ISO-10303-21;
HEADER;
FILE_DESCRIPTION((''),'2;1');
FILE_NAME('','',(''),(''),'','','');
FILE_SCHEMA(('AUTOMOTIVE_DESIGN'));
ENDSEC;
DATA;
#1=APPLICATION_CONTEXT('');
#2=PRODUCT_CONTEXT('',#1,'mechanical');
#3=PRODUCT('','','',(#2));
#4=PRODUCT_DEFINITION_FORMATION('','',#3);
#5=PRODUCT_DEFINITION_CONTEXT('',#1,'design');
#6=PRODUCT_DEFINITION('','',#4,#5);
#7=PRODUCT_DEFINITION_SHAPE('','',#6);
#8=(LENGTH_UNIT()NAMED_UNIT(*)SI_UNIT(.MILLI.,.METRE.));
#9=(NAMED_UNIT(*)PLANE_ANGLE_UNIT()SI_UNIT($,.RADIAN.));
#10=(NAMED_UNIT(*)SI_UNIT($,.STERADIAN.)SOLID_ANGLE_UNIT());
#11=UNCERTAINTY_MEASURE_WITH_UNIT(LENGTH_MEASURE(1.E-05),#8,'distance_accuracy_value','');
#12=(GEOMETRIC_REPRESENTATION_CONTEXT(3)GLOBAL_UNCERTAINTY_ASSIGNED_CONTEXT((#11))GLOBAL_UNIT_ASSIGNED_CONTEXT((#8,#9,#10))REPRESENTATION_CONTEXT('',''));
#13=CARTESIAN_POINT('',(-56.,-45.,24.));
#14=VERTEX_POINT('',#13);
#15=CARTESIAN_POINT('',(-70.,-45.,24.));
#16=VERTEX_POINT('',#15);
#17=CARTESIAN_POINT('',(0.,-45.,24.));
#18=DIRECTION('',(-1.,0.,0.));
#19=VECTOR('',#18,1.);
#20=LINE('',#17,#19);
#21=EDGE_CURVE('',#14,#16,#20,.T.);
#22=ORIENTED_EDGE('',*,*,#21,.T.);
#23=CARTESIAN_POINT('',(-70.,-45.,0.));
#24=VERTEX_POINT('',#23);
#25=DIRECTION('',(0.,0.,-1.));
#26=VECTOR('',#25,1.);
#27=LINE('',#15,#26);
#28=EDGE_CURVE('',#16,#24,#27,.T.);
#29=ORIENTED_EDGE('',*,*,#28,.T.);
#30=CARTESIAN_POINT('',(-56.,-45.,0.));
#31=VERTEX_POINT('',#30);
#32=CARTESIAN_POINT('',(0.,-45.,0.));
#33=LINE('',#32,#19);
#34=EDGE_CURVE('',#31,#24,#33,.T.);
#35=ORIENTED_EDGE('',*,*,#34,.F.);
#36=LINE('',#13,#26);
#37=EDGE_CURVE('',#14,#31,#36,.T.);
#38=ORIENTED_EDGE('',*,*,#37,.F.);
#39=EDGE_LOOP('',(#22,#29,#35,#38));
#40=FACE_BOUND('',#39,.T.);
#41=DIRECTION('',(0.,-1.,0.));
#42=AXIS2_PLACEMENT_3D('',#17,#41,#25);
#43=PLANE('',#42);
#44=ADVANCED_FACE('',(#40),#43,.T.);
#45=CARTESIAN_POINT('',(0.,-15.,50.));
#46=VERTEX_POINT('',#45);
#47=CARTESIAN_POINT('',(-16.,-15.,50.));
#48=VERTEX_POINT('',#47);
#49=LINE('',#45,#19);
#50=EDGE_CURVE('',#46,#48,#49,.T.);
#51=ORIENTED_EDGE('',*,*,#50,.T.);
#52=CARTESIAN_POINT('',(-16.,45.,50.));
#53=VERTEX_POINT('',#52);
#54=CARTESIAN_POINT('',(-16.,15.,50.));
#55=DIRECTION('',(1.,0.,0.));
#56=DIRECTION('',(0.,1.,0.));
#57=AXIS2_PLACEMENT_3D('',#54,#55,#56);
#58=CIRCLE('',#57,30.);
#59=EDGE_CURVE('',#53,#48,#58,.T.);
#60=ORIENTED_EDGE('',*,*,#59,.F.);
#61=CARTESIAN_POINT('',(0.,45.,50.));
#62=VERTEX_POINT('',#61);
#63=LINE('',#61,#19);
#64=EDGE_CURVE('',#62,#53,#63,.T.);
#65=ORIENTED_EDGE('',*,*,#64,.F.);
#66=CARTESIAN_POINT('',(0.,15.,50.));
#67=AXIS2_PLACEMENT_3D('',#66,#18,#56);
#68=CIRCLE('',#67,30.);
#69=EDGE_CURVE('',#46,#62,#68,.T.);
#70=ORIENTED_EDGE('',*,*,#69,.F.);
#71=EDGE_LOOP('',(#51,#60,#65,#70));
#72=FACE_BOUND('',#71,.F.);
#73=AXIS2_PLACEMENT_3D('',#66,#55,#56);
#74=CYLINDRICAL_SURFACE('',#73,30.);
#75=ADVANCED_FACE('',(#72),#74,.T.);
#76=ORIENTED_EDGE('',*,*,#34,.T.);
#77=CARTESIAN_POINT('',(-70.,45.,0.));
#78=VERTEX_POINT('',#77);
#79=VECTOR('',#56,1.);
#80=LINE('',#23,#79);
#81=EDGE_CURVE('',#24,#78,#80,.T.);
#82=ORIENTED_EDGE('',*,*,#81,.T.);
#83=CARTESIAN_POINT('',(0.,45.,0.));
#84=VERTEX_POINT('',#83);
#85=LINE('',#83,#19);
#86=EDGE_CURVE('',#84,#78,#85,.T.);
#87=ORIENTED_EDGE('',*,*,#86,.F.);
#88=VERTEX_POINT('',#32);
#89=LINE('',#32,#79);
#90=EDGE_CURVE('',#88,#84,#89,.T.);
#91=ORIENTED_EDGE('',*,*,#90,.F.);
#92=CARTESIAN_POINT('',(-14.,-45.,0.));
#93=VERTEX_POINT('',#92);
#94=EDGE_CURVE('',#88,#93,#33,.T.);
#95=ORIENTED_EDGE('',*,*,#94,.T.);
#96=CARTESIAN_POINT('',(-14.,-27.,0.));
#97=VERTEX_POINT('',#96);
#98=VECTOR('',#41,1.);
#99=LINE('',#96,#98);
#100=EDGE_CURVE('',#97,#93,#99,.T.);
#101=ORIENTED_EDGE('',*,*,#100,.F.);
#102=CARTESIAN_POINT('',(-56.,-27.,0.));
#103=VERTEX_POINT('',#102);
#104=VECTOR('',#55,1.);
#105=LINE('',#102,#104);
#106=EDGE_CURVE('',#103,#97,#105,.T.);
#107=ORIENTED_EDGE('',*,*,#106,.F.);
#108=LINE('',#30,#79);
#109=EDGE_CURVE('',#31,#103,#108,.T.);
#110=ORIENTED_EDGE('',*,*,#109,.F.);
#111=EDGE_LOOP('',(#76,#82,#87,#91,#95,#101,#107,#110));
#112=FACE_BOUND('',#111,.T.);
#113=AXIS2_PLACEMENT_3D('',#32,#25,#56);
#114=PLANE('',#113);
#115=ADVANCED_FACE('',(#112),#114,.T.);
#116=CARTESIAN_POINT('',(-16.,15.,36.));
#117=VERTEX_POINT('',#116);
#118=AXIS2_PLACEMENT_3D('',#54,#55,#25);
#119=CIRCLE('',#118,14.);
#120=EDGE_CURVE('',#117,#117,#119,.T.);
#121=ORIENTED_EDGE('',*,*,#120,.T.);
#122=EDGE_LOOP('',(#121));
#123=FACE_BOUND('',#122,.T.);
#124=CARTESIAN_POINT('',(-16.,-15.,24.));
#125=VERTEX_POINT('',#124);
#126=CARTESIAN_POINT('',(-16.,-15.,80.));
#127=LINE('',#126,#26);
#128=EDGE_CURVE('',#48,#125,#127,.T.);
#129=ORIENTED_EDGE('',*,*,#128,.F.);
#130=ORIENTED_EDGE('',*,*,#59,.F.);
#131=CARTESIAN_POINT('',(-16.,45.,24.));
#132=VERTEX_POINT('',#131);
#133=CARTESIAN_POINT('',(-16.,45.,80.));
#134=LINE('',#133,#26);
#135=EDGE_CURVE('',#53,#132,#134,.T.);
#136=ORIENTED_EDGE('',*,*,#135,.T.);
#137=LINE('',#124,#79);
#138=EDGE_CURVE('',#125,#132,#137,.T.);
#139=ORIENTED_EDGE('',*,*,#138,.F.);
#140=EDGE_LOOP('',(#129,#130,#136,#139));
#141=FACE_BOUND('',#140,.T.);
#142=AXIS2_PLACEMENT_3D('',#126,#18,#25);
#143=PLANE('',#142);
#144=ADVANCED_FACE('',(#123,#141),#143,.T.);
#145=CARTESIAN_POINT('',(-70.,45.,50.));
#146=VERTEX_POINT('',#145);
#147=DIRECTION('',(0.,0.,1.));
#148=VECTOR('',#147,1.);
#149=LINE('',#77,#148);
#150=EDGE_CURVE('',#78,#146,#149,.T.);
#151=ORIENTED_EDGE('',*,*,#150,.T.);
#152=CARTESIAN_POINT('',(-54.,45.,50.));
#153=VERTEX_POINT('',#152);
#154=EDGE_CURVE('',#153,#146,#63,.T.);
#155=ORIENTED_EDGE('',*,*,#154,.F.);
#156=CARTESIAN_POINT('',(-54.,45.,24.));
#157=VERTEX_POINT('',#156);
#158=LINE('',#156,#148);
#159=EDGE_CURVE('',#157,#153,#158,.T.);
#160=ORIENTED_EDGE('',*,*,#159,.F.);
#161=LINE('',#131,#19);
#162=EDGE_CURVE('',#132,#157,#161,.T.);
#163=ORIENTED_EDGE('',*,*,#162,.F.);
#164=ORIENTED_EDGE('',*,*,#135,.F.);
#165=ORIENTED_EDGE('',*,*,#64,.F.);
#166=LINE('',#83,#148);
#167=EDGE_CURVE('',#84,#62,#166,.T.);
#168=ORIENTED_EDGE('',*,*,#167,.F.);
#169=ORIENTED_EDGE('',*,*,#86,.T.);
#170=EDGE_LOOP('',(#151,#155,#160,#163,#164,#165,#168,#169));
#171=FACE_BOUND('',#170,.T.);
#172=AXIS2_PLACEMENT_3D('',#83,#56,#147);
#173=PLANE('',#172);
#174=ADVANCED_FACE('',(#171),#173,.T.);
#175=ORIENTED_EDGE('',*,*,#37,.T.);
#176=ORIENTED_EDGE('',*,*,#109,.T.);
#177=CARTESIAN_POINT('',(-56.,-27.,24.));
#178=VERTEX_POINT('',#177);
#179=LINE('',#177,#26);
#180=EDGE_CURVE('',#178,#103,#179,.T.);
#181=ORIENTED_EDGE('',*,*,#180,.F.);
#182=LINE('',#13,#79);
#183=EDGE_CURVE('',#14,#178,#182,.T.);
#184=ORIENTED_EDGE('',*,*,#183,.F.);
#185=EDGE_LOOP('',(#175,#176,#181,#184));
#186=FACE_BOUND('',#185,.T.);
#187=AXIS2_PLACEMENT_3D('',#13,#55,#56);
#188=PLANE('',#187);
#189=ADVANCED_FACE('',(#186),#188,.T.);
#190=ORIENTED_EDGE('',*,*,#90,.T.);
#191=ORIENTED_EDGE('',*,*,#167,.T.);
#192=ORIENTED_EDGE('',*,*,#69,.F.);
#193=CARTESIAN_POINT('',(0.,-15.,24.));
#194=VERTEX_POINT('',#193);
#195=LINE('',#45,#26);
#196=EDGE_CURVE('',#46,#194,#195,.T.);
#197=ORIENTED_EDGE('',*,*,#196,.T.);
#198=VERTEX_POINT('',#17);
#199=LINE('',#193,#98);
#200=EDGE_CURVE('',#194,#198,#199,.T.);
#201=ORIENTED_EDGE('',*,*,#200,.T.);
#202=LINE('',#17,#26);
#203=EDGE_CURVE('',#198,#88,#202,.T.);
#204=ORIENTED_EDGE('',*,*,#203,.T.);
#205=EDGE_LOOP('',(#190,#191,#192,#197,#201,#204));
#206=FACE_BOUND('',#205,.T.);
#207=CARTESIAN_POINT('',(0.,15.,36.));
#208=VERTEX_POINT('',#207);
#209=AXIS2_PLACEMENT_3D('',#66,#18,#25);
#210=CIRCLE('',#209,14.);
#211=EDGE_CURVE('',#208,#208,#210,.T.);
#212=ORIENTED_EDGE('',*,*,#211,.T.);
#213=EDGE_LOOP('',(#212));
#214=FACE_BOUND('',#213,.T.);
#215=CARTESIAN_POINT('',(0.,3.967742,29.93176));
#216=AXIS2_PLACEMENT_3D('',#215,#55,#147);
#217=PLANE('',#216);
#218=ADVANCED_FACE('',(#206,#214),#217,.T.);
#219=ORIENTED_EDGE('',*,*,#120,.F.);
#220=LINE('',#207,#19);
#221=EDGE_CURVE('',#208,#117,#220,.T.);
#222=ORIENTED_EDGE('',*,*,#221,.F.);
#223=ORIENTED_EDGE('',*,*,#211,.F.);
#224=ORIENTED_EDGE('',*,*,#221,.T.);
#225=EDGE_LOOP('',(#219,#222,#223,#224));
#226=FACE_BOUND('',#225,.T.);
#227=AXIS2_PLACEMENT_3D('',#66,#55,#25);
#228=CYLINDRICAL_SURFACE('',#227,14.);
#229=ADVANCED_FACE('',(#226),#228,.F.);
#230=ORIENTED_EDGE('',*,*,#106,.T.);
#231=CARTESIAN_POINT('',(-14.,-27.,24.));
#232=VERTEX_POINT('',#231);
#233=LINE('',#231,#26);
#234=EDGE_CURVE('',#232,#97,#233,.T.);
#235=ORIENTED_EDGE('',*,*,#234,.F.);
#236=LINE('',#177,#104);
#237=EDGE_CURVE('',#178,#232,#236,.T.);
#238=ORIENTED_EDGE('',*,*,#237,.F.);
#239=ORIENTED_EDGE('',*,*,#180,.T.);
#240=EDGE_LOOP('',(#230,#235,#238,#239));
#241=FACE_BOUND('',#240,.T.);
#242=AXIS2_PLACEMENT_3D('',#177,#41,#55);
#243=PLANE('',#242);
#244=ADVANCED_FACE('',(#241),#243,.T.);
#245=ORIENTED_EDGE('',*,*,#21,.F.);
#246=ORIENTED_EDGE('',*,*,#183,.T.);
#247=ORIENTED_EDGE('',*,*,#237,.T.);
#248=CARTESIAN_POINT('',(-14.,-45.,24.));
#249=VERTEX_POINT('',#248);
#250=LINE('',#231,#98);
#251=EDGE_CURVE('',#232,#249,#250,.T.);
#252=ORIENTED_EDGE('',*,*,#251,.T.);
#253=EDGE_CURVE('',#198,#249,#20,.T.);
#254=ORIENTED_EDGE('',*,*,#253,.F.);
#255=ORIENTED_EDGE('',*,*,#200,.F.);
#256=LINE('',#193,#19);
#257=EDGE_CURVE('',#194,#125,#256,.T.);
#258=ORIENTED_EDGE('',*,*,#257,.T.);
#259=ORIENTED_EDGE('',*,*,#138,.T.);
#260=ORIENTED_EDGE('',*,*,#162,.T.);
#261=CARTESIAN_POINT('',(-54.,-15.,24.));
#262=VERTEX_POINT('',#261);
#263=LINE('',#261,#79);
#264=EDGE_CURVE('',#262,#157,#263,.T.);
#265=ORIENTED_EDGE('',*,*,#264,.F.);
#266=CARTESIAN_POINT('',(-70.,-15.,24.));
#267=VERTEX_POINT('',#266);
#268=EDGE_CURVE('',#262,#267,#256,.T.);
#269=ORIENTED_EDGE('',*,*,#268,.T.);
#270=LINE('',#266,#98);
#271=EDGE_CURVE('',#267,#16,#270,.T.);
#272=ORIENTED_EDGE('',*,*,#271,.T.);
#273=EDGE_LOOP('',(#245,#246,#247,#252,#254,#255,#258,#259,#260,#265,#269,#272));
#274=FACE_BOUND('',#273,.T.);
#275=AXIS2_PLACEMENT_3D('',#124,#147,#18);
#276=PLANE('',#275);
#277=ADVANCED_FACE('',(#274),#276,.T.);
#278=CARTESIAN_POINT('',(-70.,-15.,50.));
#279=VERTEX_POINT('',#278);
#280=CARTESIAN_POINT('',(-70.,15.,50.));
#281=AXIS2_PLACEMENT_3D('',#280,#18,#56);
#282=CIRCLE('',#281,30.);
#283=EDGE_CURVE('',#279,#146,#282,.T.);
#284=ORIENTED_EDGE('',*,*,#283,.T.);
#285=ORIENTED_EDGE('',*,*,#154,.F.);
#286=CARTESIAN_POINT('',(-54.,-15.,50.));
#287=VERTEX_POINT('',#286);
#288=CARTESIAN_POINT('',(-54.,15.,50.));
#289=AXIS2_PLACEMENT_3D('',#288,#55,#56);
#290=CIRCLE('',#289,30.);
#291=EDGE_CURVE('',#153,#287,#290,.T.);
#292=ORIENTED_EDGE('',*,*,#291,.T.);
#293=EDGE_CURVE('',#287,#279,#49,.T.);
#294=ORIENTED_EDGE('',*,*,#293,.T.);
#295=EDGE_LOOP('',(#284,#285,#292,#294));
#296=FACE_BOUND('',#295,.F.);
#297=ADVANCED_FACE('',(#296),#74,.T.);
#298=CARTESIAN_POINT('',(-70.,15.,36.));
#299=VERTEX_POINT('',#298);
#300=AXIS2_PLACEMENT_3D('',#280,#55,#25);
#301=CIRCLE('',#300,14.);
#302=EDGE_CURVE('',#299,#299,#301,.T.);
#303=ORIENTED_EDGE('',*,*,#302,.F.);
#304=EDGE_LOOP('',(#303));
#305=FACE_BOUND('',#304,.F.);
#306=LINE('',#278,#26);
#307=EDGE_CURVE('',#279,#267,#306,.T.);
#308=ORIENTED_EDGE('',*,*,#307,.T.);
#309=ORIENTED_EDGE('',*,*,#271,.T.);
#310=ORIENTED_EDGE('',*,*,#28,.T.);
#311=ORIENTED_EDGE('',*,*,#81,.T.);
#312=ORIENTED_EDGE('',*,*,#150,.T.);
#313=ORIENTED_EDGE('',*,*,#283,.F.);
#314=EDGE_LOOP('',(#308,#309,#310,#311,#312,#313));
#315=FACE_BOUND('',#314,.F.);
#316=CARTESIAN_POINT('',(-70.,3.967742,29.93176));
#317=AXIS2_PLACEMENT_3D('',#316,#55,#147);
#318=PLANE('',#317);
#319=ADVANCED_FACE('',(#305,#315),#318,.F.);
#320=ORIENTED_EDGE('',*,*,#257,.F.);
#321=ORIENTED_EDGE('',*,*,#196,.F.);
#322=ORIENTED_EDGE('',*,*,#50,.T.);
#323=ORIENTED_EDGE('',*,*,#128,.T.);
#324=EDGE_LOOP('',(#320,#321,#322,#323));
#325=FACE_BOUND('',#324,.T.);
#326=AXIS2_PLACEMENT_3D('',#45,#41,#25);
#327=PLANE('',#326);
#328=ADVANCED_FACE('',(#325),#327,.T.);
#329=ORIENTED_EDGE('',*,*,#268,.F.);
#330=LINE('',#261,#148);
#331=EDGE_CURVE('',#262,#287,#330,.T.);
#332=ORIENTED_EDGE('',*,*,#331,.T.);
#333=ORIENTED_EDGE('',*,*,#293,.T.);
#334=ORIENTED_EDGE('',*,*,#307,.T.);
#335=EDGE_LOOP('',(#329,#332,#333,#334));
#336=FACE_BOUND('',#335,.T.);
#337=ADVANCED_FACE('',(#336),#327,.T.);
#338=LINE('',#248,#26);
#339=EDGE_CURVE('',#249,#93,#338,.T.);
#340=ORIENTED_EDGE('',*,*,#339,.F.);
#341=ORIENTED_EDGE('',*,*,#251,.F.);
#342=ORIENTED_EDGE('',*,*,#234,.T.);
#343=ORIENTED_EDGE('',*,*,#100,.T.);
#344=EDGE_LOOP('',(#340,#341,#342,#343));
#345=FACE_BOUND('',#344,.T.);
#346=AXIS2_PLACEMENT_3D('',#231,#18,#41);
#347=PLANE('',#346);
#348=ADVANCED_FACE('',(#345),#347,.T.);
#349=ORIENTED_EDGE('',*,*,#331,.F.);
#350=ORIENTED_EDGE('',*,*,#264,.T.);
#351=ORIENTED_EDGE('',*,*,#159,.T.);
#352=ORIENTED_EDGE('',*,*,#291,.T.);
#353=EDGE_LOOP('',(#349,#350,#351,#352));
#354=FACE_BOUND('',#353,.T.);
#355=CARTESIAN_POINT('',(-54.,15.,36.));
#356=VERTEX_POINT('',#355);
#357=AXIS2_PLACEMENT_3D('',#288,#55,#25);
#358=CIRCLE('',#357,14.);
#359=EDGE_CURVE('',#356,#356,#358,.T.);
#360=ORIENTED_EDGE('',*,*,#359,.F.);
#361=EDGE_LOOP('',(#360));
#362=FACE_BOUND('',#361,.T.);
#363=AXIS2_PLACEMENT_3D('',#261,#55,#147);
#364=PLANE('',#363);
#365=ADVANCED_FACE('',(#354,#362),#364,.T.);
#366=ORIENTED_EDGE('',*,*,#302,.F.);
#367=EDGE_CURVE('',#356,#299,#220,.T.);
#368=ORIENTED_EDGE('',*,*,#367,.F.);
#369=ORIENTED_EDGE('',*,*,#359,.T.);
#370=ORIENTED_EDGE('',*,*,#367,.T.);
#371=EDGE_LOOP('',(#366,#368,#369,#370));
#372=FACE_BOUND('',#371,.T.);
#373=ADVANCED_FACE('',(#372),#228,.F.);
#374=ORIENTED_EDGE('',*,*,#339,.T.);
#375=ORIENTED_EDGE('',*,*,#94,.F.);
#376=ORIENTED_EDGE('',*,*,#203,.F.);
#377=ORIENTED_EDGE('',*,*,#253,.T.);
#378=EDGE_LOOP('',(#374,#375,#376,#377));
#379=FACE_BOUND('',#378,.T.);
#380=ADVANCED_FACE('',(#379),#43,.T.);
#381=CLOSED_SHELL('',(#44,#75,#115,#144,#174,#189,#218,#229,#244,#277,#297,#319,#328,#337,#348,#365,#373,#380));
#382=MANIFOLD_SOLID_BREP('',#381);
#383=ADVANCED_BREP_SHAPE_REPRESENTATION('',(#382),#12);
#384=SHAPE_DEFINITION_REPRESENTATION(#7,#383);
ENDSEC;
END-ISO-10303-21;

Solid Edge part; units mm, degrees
sketch "Sketch1" plane through (0, 0, 0) normal (1, 0, 0) x (0, 1, 0)
  line L0 (45, 0) -> (45, 50)
  line L1 (-45, 0) -> (45, 0)
  line L2 (-45, 24) -> (-45, 0)
  line L3 (-15, 24) -> (-45, 24)
  line L4 (-15, 50) -> (-15, 24)
  arc A0 (-15, 50) -> (45, 50) centre (15, 50) cw
extrude "ProtrusiónExtruida_1" add sketch "Sketch1" against normal blind 70
sketch "Sketch2" plane through (-35, -15, 37) normal (0, -1, 0) x (1, 0, 0)
  line L0 (-19, -13) -> (-19, 43)
  line L1 (-19, 43) -> (19, 43)
  line L2 (19, 43) -> (19, -13)
  line L3 (19, -13) -> (-19, -13)
extrude "VaciadoExtruido_1" cut sketch "Sketch2" against normal blind 60
hole "Agujero_1" at (0, 15, 50) direction (-1, 0, 0) diameter 28 end through all
sketch "Sketch3" plane through (-35, 0, 24) normal (0, 0, 1) x (0, 1, 0)
  line L0 (-45, 21) -> (-27, 21)
  line L1 (-27, 21) -> (-27, -21)
  line L2 (-27, -21) -> (-45, -21)
  line L3 (-45, -21) -> (-45, 21)
extrude "VaciadoExtruido_2" cut sketch "Sketch3" against normal blind 24
